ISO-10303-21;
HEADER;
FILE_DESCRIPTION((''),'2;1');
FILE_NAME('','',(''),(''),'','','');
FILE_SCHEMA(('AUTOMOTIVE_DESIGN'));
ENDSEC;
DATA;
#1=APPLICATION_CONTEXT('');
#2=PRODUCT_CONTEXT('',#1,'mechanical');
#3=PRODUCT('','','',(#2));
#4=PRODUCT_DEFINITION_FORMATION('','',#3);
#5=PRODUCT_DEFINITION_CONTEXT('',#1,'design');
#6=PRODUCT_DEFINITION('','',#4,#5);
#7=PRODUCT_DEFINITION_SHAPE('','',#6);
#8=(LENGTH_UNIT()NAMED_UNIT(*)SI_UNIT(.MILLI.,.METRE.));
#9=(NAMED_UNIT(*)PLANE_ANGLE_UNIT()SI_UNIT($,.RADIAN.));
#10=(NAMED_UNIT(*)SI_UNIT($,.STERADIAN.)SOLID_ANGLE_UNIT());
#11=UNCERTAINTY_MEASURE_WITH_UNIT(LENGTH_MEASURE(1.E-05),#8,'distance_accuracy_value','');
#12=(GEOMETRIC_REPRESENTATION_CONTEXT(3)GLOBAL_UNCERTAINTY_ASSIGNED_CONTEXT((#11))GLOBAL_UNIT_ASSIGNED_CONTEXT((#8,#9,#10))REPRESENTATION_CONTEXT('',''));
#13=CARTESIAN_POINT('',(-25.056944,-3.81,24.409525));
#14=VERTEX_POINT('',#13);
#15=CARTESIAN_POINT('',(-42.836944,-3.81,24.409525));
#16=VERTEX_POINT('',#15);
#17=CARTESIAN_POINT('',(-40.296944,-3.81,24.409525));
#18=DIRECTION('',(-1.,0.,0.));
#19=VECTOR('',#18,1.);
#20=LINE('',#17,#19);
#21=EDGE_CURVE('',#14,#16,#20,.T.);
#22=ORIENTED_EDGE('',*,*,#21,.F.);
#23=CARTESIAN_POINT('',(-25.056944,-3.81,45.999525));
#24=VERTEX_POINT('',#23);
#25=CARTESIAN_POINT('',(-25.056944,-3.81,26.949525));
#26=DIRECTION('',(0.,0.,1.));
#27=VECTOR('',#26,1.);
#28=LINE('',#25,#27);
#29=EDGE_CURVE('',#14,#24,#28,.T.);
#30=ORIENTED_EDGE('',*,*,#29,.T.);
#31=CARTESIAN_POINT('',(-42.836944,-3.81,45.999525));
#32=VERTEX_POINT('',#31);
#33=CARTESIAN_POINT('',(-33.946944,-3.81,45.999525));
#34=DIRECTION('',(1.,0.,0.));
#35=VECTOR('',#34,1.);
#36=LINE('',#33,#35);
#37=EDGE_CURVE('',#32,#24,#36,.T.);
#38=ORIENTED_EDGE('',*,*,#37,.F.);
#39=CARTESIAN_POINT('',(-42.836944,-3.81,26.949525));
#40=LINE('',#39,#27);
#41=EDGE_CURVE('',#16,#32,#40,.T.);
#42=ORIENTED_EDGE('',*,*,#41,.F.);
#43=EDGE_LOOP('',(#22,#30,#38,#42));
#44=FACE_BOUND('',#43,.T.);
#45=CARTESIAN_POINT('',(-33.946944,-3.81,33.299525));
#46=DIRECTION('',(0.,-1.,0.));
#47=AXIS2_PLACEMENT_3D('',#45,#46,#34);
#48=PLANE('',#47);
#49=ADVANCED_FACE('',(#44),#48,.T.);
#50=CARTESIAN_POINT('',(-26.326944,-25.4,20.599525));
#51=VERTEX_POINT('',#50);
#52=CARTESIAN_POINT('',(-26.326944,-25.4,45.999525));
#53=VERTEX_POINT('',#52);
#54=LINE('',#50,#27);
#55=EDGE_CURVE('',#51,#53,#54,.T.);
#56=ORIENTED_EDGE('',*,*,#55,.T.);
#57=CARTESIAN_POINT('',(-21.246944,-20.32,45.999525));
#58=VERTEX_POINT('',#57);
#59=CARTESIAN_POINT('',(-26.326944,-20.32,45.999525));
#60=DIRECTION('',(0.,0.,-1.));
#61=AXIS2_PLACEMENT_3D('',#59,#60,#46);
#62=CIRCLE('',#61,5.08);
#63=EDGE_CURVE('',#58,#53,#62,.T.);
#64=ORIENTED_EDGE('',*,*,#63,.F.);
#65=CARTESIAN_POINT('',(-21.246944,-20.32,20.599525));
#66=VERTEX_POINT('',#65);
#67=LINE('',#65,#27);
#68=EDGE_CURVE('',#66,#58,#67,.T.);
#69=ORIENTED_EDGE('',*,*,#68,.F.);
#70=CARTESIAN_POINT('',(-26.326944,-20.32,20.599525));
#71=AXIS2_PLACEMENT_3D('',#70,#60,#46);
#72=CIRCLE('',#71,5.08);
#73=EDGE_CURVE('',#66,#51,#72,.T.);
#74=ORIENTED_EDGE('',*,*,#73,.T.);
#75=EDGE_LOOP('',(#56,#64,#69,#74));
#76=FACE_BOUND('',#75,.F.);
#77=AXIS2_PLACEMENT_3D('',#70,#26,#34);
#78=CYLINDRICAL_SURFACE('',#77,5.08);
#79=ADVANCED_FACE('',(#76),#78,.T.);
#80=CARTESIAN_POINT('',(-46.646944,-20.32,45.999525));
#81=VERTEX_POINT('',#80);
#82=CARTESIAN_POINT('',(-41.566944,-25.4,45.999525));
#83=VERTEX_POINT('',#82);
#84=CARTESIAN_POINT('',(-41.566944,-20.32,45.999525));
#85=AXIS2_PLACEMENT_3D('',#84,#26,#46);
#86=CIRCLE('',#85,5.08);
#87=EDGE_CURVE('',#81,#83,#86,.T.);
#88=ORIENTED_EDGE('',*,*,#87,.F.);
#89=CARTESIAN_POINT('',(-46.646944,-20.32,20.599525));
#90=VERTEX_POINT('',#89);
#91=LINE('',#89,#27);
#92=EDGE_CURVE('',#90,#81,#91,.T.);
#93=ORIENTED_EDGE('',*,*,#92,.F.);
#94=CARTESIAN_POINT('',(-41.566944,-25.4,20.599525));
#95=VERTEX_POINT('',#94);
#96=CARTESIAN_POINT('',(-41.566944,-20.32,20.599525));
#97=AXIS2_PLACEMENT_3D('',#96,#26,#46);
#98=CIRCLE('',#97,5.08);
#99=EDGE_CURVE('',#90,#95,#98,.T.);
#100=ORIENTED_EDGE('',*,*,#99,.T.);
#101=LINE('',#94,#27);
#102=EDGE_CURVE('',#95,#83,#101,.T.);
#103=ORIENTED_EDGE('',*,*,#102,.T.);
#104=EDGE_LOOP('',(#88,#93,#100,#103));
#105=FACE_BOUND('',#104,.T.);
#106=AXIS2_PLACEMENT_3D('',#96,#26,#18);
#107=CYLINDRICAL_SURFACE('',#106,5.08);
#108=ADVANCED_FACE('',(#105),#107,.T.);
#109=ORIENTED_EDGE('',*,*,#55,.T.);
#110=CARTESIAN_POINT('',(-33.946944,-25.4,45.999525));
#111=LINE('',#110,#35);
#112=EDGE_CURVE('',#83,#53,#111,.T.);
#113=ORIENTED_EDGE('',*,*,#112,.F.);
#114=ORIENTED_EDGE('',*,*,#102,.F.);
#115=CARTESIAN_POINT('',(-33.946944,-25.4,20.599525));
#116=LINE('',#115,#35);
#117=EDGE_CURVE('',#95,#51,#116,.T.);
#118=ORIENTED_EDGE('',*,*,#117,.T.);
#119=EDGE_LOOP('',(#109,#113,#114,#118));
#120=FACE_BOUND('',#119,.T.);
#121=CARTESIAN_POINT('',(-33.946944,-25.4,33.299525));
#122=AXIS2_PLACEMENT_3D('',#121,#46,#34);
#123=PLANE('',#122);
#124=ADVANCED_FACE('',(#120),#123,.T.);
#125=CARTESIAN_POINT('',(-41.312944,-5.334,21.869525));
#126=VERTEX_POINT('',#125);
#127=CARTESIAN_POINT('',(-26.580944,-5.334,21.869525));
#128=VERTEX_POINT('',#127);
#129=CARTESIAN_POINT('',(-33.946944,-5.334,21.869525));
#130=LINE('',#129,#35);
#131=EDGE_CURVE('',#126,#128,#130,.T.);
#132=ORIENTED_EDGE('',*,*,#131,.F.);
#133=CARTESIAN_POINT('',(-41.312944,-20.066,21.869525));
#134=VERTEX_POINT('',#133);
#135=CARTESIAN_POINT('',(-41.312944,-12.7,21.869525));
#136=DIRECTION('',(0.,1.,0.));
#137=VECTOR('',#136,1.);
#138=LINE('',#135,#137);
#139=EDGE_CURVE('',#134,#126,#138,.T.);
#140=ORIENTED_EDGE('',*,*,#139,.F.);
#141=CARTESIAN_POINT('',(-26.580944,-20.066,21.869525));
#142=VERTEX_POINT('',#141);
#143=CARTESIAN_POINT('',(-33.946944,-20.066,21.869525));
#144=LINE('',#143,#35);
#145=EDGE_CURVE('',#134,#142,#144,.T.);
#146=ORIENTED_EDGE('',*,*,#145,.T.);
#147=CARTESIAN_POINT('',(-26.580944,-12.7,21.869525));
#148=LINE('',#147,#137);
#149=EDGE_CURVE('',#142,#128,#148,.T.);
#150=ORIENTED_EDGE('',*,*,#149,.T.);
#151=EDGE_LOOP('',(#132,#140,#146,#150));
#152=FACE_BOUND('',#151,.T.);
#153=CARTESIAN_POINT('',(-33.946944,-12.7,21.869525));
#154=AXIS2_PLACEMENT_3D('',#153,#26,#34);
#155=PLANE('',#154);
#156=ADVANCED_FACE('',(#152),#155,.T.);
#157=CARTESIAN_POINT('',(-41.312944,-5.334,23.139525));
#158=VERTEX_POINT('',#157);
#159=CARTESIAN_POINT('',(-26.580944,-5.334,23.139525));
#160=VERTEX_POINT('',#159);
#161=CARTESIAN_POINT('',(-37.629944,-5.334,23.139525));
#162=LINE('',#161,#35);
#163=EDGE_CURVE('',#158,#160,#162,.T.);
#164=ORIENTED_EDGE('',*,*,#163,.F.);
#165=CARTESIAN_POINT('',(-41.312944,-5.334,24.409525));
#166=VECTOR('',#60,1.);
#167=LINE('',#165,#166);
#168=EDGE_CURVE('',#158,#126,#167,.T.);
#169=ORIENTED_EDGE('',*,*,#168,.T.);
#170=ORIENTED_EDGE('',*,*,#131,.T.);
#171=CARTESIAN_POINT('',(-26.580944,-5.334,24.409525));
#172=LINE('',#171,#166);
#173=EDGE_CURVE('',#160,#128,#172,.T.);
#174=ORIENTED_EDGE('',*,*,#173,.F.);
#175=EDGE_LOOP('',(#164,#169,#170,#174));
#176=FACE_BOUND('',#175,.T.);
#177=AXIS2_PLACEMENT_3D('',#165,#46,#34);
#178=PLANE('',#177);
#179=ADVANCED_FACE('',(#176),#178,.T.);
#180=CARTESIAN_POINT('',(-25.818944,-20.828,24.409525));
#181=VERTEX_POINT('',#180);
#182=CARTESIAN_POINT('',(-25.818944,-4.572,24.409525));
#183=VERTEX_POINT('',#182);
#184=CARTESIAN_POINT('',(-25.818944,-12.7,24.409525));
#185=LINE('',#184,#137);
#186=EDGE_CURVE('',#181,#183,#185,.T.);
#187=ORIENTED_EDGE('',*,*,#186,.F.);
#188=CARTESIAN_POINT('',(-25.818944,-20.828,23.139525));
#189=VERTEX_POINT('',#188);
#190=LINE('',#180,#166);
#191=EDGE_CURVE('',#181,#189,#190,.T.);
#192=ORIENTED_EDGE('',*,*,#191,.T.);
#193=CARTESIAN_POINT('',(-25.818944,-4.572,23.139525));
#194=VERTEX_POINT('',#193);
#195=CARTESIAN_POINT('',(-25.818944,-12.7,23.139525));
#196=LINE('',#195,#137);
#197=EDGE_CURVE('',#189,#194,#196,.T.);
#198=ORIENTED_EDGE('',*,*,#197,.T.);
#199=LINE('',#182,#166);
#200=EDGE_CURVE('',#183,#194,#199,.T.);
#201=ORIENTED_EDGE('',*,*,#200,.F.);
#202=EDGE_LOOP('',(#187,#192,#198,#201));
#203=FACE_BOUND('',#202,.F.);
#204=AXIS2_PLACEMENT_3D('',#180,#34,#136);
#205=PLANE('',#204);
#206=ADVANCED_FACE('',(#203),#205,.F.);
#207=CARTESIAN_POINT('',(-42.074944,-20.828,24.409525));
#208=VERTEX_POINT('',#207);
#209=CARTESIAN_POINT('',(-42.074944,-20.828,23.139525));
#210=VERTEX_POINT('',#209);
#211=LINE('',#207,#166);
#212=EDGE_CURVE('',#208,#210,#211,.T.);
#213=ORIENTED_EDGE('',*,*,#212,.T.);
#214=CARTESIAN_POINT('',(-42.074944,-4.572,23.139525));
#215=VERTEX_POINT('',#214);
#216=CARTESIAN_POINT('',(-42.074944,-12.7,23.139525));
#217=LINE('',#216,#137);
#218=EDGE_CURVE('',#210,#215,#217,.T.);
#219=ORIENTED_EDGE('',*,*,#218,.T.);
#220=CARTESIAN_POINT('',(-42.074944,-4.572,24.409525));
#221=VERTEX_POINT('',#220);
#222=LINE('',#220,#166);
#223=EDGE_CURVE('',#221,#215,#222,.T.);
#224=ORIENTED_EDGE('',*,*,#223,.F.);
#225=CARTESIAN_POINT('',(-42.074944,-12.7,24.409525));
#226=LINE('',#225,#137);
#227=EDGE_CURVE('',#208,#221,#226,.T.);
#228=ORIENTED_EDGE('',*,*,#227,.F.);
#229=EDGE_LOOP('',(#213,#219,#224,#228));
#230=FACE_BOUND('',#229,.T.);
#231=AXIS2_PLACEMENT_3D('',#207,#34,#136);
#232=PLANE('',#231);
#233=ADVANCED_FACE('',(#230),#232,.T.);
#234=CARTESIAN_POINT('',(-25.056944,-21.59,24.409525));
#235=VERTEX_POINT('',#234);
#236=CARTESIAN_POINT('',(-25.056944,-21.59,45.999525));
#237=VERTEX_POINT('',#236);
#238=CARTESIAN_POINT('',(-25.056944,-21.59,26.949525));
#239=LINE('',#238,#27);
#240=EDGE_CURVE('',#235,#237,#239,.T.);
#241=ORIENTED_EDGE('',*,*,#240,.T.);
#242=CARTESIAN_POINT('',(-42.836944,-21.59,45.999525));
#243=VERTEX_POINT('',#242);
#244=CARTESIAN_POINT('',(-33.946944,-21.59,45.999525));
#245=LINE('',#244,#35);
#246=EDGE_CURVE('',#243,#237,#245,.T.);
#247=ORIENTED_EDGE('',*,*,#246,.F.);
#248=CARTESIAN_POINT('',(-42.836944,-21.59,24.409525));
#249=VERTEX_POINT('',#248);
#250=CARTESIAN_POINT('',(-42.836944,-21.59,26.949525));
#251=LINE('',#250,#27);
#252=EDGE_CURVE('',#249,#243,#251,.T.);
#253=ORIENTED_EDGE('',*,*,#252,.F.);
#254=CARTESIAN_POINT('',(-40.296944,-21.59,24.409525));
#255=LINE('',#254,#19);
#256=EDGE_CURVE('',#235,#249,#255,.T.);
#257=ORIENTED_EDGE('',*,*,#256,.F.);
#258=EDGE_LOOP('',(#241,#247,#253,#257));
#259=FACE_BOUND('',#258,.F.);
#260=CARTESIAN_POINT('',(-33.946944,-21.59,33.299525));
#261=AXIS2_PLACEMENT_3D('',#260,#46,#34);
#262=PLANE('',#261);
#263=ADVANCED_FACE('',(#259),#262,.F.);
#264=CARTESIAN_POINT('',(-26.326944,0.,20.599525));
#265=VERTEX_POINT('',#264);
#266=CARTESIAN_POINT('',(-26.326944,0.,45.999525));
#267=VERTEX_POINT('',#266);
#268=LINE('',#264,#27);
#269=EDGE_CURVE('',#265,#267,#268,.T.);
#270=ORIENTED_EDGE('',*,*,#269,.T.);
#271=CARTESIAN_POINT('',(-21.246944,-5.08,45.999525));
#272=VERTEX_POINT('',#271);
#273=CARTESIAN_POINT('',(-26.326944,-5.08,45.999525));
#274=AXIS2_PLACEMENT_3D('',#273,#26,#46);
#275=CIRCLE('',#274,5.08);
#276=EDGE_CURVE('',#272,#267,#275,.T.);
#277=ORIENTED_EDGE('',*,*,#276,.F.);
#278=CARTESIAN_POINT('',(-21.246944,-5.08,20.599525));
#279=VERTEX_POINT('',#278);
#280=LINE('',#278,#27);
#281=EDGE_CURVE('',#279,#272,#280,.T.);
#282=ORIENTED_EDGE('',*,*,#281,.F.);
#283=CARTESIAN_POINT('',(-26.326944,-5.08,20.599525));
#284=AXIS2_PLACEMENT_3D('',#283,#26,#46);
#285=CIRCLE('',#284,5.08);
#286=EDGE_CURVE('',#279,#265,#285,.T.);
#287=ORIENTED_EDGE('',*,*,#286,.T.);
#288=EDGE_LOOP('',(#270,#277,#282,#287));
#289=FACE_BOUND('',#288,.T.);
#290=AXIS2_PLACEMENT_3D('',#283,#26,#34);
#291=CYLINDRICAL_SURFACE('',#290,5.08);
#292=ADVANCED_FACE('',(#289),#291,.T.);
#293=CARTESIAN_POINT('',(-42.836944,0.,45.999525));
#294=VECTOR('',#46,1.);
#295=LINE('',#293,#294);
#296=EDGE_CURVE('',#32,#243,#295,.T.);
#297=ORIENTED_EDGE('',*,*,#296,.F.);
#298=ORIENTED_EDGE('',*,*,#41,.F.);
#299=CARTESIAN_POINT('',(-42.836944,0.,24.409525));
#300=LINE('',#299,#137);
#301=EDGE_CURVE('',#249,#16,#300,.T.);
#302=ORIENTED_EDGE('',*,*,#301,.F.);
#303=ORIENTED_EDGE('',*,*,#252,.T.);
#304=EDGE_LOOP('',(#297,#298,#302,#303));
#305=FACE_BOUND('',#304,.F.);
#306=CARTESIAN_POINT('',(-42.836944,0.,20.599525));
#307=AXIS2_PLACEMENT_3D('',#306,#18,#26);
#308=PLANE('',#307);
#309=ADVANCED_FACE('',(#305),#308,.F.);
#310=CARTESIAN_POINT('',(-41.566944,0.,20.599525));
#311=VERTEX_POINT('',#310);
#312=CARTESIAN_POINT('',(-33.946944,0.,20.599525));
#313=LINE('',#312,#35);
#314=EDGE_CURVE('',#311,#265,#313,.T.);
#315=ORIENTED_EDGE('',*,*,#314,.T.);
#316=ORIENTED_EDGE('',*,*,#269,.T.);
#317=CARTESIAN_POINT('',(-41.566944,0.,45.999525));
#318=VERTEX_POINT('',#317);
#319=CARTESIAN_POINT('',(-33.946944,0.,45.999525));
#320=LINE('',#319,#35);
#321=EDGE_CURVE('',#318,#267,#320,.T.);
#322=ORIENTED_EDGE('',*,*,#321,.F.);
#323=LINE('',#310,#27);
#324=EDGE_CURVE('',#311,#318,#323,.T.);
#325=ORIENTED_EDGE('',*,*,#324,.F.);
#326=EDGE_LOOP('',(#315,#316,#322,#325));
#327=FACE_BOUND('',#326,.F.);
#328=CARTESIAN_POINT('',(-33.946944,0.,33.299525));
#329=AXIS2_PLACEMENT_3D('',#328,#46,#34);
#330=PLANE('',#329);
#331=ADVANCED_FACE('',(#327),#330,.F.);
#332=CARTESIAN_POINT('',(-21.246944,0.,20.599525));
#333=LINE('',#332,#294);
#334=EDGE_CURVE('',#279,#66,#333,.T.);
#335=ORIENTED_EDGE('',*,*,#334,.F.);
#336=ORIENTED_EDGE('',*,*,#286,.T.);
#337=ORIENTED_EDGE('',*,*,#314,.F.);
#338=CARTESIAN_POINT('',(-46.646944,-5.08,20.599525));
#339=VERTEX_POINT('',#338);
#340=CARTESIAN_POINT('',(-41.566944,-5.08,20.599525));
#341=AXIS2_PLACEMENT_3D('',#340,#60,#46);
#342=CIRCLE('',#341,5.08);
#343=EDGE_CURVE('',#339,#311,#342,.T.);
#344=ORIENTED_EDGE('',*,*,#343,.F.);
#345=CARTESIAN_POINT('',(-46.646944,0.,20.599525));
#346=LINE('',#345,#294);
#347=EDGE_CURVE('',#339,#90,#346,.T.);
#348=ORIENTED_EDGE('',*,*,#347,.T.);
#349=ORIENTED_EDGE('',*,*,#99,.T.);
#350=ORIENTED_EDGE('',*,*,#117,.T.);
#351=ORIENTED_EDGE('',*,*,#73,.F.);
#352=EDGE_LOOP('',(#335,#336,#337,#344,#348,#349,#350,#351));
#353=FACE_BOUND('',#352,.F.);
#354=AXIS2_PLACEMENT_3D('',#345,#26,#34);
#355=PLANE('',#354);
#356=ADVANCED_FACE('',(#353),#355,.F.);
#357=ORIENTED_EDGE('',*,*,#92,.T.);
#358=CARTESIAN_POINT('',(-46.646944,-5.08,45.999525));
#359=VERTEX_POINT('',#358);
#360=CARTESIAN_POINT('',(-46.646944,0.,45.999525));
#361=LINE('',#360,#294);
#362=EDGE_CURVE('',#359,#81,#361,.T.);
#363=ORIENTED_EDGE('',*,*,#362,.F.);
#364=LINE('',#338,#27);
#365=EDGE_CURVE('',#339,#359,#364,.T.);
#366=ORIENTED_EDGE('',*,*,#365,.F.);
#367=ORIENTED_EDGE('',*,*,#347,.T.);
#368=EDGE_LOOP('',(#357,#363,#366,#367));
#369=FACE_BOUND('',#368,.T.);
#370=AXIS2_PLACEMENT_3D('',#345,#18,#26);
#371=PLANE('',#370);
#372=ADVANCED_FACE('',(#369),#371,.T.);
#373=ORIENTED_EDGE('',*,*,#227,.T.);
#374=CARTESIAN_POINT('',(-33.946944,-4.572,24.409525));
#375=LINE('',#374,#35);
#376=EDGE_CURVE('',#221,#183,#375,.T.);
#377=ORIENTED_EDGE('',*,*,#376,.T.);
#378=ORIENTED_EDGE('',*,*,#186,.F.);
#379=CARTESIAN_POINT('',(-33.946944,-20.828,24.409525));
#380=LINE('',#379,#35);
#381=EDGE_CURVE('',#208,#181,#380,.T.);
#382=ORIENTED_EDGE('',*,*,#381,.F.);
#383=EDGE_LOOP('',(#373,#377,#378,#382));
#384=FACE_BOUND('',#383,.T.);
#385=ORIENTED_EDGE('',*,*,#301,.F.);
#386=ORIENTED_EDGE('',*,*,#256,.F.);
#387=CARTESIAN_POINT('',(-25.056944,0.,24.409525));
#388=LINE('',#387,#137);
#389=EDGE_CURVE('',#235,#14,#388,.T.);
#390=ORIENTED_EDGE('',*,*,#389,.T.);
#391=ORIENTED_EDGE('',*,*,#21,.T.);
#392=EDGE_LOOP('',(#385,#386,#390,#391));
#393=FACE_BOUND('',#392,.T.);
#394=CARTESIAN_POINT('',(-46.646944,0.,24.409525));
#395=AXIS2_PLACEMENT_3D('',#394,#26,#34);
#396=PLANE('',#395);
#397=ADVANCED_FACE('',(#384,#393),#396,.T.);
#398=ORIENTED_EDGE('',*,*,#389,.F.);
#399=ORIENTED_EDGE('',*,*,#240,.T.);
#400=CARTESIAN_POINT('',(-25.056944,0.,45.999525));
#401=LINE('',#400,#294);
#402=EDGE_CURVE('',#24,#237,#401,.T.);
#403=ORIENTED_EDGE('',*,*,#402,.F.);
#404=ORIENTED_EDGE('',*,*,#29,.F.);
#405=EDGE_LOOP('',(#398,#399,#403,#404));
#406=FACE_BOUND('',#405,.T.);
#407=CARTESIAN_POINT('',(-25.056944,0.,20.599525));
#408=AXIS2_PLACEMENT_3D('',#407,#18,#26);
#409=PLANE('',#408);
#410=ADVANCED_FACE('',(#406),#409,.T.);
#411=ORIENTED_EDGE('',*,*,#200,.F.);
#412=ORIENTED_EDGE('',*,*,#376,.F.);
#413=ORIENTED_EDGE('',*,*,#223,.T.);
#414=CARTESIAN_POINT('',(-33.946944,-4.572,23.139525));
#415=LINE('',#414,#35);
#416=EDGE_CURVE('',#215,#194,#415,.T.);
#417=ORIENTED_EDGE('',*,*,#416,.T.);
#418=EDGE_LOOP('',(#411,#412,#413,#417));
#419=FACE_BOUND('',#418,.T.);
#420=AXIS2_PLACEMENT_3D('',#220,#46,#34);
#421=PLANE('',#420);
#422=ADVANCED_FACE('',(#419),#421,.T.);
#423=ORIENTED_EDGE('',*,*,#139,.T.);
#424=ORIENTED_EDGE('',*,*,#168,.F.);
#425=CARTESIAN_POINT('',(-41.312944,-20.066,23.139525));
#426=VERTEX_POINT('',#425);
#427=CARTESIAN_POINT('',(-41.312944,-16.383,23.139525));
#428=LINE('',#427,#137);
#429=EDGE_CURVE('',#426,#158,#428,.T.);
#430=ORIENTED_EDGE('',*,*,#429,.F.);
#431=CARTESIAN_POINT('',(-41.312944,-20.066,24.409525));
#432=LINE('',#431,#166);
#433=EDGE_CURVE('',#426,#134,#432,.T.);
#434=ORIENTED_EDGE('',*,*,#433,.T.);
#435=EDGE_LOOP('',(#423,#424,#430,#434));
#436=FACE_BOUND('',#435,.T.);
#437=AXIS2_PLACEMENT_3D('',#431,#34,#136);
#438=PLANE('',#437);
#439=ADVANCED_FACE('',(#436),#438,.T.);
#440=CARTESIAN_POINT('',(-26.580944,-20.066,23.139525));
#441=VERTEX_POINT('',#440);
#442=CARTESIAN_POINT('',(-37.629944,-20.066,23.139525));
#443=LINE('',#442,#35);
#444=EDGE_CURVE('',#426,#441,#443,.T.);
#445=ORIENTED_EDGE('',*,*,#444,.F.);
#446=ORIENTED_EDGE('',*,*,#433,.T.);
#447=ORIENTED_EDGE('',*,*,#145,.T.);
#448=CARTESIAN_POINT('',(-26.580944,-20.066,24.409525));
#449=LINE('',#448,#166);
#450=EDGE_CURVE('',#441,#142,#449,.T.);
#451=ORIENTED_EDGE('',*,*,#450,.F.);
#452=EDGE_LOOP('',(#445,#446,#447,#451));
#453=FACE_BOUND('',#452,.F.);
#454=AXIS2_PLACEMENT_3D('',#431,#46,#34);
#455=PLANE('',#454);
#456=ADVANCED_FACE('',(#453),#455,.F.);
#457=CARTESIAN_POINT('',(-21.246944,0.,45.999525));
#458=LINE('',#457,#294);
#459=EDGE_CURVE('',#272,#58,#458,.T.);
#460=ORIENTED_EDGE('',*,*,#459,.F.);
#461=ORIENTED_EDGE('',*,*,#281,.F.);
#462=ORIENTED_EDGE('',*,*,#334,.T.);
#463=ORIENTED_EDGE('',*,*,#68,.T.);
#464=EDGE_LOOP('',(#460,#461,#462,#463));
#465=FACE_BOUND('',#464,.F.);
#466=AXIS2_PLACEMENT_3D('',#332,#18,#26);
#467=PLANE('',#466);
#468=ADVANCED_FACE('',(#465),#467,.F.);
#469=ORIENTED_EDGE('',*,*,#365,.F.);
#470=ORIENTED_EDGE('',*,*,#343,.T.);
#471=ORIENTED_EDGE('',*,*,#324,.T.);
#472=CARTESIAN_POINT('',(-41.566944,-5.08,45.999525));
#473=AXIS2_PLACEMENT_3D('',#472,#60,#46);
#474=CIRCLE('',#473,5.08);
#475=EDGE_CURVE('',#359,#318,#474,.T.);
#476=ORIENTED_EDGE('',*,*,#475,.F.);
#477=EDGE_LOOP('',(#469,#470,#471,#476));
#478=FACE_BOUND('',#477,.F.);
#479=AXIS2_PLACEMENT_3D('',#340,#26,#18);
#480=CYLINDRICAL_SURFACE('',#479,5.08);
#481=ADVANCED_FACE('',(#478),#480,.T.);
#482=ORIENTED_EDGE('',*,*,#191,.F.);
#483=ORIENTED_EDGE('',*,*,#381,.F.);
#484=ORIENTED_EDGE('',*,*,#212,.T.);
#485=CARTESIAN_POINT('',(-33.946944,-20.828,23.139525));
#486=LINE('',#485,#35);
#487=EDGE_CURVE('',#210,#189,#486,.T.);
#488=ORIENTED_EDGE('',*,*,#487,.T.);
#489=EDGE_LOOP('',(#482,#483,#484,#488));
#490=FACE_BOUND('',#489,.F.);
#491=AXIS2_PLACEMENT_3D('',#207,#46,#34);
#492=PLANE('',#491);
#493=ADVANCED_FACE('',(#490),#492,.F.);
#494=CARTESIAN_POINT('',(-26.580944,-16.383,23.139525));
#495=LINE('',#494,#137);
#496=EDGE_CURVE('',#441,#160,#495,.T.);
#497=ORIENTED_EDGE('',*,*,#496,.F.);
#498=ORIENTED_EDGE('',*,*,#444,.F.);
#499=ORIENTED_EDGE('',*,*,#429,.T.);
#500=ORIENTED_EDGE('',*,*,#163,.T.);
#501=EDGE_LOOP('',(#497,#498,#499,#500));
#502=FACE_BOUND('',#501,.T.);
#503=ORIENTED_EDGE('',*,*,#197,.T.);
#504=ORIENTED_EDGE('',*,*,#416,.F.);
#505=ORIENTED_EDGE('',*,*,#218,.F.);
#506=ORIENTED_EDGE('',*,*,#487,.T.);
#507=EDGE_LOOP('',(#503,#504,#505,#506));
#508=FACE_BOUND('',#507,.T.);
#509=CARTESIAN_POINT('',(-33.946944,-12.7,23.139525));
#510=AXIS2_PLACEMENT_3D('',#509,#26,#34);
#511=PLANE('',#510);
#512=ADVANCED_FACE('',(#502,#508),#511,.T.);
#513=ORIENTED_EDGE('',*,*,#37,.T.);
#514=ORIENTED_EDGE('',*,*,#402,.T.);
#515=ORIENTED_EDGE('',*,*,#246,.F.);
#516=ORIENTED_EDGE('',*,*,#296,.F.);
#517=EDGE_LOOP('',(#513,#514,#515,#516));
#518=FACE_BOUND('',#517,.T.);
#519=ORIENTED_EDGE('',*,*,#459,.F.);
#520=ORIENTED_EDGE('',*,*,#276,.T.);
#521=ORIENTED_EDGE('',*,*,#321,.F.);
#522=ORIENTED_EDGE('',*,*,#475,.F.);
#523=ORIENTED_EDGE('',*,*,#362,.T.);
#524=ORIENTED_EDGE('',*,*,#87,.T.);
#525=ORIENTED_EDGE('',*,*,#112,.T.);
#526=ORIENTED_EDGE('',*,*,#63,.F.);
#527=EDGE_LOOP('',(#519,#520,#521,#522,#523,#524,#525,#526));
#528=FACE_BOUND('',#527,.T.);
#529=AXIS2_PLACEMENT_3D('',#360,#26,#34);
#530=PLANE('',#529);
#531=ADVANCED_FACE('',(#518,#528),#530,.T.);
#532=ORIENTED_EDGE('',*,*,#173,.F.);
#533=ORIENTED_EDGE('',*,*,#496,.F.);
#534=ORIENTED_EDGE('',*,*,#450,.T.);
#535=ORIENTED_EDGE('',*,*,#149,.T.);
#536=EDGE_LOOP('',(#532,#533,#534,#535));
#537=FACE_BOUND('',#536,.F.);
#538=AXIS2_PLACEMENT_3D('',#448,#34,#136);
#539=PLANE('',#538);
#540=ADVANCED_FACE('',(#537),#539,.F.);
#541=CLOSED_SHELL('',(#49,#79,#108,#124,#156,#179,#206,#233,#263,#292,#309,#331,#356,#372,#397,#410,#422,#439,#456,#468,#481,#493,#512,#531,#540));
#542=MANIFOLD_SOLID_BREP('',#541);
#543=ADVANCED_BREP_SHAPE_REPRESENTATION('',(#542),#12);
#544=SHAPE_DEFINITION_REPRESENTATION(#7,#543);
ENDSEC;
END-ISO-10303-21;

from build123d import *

# Parameters (mm, degrees)
F0_W     = 25.4
F0_H     = 25.4
F1_DEPTH = 25.4
F2_T     = -3.81
F3_R     = 5.08
F5_W     = 16.256
F5_H     = 16.256
F6_DEPTH = 1.27
F7_W     = 14.732
F7_H     = 14.732
F8_DEPTH = 2.54


with BuildPart() as f1:
    # F0 (on Front) → F1 (new body)
    with BuildSketch(Plane.XZ):
        with Locations((-33.946944, 33.299525)):
            Rectangle(F0_W, F0_H)
    extrude(amount=F1_DEPTH)

    # F2
    f2_openings = [f1.faces().sort_by_distance(p)[0] for p in [
        (-33.946944, -12.7, 45.999525),
    ]]
    offset(amount=F2_T, openings=f2_openings)

    # F3
    f3_edges = [f1.edges().sort_by_distance(p)[0] for p in [
        (-46.646944, 0, 33.299525),
        (-46.646944, -25.4, 33.299525),
        (-21.246944, -25.4, 33.299525),
        (-21.246944, 0, 33.299525),
    ]]
    fillet(f3_edges, radius=F3_R)

    # F5 (on face) → F6 (cut)
    with BuildSketch(Plane.XY.offset(24.409525)):
        with Locations((-33.946944, -12.7)):
            Rectangle(F5_W, F5_H)
    extrude(amount=-F6_DEPTH, mode=Mode.SUBTRACT)

    # F7 (on face) → F8 (cut)
    with BuildSketch(Plane.XY.offset(24.409525)):
        with Locations((-33.946944, -12.7)):
            Rectangle(F7_W, F7_H)
    extrude(amount=-F8_DEPTH, mode=Mode.SUBTRACT)


solid = f1.part
